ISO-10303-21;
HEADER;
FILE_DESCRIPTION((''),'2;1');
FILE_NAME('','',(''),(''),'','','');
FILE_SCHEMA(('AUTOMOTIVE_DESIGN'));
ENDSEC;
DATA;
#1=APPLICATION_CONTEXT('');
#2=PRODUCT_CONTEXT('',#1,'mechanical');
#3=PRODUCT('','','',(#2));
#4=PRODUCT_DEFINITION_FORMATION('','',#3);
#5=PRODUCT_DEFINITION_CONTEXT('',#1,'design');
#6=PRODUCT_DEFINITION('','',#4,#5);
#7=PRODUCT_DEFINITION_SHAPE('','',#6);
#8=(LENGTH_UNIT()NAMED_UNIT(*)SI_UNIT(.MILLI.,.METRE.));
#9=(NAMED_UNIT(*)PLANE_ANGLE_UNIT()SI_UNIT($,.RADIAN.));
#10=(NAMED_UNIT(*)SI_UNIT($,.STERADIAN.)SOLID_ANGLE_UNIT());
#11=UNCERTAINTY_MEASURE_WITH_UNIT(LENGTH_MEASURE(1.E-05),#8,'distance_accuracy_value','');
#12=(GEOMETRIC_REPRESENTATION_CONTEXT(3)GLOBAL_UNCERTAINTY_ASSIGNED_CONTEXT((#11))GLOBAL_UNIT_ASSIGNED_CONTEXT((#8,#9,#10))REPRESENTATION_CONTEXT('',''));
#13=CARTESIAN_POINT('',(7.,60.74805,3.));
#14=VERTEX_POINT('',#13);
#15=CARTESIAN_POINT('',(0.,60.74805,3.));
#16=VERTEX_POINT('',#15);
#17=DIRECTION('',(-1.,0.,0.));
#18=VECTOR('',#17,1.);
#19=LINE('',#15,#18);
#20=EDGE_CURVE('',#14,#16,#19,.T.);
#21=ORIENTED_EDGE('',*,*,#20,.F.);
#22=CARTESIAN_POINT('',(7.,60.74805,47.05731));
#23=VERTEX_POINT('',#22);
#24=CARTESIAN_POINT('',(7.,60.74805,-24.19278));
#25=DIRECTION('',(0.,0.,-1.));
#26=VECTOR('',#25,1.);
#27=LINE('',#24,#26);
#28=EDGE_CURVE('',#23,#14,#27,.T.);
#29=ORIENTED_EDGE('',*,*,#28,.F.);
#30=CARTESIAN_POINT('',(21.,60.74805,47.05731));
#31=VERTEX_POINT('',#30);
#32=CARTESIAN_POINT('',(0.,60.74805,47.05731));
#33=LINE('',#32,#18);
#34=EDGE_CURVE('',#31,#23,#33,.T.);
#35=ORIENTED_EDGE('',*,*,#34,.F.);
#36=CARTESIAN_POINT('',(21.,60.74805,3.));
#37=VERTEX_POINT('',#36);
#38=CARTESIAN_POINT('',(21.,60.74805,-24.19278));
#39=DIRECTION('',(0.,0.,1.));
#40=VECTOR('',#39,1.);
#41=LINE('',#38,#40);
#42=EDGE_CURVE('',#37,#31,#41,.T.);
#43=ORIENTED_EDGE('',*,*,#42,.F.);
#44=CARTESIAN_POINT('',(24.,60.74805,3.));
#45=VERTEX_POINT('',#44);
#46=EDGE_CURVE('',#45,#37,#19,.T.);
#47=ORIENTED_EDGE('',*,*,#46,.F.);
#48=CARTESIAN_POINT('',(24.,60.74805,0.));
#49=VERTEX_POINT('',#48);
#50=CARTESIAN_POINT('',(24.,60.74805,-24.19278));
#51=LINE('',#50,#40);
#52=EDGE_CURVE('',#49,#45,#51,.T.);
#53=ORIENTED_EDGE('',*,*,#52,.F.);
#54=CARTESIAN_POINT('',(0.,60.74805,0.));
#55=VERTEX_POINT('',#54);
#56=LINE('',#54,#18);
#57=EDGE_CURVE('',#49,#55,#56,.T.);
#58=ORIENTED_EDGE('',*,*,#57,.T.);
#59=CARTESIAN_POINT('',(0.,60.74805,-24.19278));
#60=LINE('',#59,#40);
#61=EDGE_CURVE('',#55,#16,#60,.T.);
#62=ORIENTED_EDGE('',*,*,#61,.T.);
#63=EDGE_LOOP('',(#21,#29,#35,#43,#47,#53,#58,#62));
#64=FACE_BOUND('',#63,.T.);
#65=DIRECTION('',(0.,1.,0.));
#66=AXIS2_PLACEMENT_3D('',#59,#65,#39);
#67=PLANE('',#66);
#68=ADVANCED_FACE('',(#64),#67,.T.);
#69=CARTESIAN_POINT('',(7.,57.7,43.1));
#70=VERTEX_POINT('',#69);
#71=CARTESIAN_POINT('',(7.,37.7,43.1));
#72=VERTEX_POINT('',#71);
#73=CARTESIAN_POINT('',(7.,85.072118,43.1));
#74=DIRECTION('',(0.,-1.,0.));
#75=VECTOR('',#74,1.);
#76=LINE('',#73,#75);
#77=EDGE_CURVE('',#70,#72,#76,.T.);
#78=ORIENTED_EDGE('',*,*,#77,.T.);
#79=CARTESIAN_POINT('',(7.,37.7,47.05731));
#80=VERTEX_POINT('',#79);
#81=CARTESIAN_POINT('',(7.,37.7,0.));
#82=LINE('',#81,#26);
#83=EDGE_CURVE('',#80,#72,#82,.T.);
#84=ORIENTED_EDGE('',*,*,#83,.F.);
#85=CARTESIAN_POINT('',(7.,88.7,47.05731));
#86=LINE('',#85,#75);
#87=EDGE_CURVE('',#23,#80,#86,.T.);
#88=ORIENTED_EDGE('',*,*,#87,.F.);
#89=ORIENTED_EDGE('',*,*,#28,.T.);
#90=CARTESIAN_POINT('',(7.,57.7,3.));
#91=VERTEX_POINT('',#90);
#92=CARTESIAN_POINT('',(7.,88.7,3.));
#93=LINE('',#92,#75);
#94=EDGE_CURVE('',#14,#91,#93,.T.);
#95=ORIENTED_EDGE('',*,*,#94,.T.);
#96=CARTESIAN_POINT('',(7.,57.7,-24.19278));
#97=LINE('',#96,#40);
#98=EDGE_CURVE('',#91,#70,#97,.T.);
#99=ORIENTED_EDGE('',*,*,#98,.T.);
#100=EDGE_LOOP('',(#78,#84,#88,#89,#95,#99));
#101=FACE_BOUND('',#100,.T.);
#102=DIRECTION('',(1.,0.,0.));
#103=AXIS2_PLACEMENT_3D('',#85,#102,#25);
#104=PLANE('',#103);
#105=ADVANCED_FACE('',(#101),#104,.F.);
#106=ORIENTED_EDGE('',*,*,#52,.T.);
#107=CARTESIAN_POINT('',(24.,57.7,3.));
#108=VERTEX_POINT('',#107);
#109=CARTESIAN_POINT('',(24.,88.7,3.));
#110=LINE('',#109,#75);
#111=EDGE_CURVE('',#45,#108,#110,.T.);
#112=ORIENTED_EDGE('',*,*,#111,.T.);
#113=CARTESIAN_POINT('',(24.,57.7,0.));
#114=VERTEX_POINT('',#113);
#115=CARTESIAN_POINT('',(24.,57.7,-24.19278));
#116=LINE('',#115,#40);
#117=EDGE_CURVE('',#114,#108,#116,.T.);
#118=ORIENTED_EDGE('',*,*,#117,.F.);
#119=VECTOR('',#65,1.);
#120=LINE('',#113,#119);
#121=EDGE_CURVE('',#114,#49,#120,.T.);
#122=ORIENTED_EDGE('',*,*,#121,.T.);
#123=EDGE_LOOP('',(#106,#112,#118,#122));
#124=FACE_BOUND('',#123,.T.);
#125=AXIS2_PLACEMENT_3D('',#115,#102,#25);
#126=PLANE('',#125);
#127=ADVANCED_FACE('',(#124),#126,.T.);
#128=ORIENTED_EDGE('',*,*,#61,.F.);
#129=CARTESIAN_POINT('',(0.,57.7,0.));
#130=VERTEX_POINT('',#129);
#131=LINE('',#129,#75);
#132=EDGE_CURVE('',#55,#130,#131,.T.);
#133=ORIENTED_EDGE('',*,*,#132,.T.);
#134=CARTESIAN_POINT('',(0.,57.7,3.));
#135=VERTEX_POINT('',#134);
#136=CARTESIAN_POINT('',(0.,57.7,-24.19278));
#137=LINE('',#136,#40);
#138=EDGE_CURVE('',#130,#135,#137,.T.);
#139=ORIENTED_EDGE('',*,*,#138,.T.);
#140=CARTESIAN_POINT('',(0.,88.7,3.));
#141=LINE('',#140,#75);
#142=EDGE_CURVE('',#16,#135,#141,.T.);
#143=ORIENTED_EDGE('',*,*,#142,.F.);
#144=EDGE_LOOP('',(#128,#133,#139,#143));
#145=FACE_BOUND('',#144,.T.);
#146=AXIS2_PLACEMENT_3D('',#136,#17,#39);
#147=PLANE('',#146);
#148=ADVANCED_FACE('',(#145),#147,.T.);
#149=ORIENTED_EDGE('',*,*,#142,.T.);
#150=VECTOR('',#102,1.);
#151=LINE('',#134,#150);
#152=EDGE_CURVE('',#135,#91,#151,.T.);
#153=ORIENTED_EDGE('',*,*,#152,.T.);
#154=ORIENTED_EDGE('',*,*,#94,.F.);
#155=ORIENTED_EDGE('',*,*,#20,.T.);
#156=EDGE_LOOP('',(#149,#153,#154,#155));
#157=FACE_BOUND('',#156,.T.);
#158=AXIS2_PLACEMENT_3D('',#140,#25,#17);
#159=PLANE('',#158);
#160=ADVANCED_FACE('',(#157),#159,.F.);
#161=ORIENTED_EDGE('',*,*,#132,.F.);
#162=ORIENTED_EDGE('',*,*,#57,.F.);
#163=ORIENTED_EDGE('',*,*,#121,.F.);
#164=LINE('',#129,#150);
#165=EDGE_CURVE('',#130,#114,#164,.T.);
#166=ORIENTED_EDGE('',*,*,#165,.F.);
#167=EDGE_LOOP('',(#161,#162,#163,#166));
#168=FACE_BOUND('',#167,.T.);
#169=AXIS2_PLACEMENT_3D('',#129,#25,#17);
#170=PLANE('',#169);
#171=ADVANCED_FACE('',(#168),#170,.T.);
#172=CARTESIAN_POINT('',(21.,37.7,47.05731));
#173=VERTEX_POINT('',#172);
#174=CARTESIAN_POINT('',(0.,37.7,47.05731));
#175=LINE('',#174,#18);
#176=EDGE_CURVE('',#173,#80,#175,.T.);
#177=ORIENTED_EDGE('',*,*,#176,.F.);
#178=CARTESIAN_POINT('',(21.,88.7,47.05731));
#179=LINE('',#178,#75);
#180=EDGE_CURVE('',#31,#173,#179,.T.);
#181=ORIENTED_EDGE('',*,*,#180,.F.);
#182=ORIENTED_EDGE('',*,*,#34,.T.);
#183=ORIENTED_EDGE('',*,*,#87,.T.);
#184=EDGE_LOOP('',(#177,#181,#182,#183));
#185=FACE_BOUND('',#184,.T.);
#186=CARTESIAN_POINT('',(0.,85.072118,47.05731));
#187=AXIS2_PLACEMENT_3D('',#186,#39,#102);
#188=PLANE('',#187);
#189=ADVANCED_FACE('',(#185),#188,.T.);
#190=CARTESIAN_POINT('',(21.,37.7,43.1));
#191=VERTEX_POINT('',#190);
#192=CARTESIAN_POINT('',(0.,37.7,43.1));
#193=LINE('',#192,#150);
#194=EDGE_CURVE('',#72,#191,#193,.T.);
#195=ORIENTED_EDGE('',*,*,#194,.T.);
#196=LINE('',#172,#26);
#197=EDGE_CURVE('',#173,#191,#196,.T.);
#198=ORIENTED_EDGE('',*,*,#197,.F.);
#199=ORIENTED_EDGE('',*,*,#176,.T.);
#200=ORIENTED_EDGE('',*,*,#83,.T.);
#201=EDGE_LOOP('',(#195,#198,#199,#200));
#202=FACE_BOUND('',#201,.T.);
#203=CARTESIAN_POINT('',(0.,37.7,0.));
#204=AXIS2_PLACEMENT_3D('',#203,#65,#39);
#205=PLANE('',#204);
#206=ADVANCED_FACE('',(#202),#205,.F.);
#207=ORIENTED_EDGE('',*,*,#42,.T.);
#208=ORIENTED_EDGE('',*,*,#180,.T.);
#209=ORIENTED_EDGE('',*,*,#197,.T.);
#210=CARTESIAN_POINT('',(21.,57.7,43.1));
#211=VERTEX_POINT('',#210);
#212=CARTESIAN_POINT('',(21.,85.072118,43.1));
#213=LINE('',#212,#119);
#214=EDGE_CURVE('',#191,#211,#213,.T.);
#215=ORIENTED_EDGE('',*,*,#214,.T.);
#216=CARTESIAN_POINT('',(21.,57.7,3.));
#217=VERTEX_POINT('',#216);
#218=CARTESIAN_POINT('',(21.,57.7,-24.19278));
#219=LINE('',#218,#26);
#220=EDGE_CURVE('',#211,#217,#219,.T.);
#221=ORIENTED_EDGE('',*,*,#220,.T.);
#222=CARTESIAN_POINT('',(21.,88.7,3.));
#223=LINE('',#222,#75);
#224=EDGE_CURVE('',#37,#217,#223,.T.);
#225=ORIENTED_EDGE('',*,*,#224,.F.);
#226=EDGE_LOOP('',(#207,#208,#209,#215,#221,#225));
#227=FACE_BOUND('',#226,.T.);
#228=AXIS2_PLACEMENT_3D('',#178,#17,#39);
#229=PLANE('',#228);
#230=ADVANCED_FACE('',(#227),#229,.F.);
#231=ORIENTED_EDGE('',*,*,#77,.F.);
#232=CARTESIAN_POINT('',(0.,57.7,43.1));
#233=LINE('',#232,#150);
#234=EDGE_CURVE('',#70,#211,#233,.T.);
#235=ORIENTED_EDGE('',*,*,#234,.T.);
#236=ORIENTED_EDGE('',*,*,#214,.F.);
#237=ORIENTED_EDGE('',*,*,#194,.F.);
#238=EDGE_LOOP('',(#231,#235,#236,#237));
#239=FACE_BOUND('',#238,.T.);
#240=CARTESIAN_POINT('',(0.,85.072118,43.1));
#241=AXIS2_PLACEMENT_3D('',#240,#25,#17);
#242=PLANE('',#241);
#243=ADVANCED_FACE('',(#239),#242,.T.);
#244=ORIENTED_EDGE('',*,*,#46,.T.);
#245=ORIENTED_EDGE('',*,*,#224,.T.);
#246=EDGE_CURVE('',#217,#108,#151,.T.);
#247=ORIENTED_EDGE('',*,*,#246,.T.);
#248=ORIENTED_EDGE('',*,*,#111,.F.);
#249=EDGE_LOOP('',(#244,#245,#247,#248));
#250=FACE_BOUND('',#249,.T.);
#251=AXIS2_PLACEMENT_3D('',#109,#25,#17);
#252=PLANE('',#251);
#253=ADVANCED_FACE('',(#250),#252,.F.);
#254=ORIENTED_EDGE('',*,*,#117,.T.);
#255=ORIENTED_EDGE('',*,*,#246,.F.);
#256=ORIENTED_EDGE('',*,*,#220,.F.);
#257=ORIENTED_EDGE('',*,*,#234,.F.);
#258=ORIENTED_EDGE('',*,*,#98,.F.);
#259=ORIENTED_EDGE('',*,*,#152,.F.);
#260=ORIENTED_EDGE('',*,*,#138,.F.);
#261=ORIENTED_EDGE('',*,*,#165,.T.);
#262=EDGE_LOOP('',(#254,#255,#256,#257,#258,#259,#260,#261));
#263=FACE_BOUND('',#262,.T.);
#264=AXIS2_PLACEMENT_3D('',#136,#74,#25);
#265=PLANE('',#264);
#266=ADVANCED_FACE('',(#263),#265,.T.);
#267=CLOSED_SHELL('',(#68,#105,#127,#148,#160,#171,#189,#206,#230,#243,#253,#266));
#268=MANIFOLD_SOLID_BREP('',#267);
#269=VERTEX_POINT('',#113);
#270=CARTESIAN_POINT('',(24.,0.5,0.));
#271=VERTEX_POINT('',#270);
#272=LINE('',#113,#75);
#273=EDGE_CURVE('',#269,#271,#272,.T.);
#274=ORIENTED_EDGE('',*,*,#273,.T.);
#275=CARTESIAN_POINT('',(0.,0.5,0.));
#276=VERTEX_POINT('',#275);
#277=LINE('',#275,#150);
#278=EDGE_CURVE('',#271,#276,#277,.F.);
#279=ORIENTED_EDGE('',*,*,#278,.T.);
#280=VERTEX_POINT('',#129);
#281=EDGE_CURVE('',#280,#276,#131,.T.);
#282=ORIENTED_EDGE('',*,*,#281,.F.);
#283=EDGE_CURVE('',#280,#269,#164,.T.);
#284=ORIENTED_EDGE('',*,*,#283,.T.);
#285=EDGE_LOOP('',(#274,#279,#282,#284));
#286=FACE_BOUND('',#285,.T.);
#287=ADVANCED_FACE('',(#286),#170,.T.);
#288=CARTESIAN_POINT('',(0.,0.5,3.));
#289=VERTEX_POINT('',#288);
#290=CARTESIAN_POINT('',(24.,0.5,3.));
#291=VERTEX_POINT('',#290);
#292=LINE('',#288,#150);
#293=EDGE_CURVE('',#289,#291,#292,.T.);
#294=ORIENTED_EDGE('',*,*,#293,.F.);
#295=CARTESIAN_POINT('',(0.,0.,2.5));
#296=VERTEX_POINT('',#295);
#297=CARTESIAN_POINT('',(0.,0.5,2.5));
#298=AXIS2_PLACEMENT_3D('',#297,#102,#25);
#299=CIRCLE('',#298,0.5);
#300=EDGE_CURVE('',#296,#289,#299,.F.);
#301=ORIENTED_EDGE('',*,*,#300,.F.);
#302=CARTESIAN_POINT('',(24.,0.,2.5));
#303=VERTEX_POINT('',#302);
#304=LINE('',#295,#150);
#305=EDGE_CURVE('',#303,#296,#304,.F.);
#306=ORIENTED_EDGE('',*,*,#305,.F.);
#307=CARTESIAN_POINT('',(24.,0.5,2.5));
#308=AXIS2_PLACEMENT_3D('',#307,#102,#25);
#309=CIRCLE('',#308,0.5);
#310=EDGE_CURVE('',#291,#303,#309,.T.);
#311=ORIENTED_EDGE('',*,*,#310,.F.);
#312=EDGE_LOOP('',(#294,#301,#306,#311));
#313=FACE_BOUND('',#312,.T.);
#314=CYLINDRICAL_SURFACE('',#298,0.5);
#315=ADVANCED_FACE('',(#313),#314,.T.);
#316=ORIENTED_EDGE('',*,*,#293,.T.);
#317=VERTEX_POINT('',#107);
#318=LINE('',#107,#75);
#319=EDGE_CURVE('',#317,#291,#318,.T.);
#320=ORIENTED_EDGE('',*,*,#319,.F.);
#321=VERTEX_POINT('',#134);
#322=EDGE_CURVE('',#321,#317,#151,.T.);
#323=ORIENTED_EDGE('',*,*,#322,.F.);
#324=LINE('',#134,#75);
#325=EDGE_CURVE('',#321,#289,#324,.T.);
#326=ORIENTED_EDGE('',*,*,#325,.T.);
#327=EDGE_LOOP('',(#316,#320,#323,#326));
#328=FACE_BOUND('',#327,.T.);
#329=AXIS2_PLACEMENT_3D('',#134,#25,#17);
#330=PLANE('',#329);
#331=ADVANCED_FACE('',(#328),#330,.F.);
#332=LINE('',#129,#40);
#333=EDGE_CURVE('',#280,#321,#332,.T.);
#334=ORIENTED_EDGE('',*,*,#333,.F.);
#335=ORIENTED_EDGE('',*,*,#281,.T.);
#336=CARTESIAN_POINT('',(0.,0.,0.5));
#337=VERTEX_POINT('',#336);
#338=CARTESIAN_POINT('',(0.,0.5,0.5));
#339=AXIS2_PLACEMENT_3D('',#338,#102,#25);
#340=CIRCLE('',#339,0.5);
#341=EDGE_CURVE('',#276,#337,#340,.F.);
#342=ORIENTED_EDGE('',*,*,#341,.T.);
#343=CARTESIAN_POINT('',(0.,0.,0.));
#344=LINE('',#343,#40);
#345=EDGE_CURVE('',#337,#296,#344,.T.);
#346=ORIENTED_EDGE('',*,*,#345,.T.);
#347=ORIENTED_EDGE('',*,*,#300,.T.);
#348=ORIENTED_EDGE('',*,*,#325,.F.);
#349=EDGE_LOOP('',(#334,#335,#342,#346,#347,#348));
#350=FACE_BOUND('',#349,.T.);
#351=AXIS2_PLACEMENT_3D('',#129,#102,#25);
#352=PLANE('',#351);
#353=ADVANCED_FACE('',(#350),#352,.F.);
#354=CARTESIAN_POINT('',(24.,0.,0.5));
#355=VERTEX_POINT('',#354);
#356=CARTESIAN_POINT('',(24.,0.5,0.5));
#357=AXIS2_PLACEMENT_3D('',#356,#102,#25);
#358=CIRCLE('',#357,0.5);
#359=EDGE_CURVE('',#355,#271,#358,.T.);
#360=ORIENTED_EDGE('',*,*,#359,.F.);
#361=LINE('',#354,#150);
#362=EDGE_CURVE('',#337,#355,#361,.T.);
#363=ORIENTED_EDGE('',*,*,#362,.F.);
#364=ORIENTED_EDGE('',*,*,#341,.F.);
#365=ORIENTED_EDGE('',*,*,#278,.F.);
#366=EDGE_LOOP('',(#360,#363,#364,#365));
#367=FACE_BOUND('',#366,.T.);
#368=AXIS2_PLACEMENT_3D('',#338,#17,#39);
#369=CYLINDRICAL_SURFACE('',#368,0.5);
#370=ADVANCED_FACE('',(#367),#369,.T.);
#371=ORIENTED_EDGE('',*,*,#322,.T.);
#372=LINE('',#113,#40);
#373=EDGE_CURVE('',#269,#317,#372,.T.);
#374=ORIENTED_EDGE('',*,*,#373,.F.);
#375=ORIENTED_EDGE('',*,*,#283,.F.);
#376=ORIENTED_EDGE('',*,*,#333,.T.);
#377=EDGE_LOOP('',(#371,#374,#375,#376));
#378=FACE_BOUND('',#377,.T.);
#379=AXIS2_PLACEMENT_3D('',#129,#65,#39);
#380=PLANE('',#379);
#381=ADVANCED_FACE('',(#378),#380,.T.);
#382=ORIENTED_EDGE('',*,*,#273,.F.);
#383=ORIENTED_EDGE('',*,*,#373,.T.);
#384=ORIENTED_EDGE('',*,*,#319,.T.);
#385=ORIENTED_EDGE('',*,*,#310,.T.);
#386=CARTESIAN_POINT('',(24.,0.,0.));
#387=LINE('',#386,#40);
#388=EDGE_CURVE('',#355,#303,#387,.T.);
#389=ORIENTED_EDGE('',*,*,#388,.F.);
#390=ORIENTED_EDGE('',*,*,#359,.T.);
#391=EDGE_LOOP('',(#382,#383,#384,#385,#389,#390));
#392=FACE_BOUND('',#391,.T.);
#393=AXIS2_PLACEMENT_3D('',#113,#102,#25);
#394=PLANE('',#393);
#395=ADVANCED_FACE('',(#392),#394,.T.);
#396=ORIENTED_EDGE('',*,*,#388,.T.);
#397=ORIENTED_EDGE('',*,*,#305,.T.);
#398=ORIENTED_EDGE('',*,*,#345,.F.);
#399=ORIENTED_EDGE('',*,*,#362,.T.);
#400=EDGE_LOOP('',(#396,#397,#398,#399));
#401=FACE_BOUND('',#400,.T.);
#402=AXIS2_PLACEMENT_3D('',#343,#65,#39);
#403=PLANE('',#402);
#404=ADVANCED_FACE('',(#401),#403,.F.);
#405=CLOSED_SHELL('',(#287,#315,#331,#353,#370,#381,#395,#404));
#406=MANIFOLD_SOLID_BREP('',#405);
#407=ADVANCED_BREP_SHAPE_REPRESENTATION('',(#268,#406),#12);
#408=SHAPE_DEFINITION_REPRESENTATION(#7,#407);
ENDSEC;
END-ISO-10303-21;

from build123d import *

# Parameters (mm, degrees)
EXTRUDE_1_DEPTH      = 57.7
EXTRUDE_2_DEPTH      = 40.1
EXTRUDE_2_DEPTH_BACK = 3
SKETCH_2_W           = 24
SKETCH_2_H           = 3.048049907
EXTRUDE_4_DEPTH      = 20
EXTRUDE_4_DEPTH_BACK = 3.04805
SKETCH_3_W           = 24
SKETCH_3_H           = 3.957309811
SKETCH_4_W           = 7
SKETCH_4_H           = 44.057309811
CUT_EXTRUDE_1_DEPTH  = 51
SKETCH_5_W           = 3
SKETCH_5_H           = 44.057309811
CUT_EXTRUDE_2_DEPTH  = 51
FILLET_1_R           = 0.5


with BuildPart() as part:
    # 草图1 → 凸台-拉伸1 (new body)
    with BuildSketch(Plane(origin=(0, 0, 0), x_dir=(1, 0, 0), z_dir=(0, 1, 0))):
        Polygon((3.532298037, 0), (0, 0), (0, -3), (24, -3), (24, 0), align=None)
    extrude(amount=EXTRUDE_1_DEPTH)

    # 圆角1
    fillet_1_edges = [part.edges().sort_by_distance(p)[0] for p in [
        (12, 0, 3),
        (12, 0, 0),
    ]]
    fillet(fillet_1_edges, radius=FILLET_1_R)


with BuildPart() as body_2:
    # 草图2 → 凸台-拉伸2 (new, two sides: drawn at the far end of the back side and taken through both)
    with BuildSketch(Plane.XY.offset(3).offset(-EXTRUDE_2_DEPTH_BACK)):
        with Locations((12, 59.224024954)):
            Rectangle(SKETCH_2_W, SKETCH_2_H)
    extrude(amount=EXTRUDE_2_DEPTH + EXTRUDE_2_DEPTH_BACK)

    # 草图3 → 凸台-拉伸4 (add, two sides: drawn at the far end of the back side and taken through both)
    with BuildSketch(Plane.XZ.offset(-57.7).offset(-EXTRUDE_4_DEPTH_BACK)):
        with Locations((12, 45.078654906)):
            Rectangle(SKETCH_3_W, SKETCH_3_H)
    extrude(amount=EXTRUDE_4_DEPTH + EXTRUDE_4_DEPTH_BACK)

    # 草图4 → 切除-拉伸1 (cut)
    with BuildSketch(Plane.XZ.offset(-37.7)):
        with Locations((3.5, 25.028654906)):
            Rectangle(SKETCH_4_W, SKETCH_4_H)
    extrude(amount=-CUT_EXTRUDE_1_DEPTH, mode=Mode.SUBTRACT)

    # 草图5 → 切除-拉伸2 (cut)
    with BuildSketch(Plane.XZ.offset(-37.7)):
        with Locations((22.5, 25.028654906)):
            Rectangle(SKETCH_5_W, SKETCH_5_H)
    extrude(amount=-CUT_EXTRUDE_2_DEPTH, mode=Mode.SUBTRACT)


solid = Compound([part.part, body_2.part])
